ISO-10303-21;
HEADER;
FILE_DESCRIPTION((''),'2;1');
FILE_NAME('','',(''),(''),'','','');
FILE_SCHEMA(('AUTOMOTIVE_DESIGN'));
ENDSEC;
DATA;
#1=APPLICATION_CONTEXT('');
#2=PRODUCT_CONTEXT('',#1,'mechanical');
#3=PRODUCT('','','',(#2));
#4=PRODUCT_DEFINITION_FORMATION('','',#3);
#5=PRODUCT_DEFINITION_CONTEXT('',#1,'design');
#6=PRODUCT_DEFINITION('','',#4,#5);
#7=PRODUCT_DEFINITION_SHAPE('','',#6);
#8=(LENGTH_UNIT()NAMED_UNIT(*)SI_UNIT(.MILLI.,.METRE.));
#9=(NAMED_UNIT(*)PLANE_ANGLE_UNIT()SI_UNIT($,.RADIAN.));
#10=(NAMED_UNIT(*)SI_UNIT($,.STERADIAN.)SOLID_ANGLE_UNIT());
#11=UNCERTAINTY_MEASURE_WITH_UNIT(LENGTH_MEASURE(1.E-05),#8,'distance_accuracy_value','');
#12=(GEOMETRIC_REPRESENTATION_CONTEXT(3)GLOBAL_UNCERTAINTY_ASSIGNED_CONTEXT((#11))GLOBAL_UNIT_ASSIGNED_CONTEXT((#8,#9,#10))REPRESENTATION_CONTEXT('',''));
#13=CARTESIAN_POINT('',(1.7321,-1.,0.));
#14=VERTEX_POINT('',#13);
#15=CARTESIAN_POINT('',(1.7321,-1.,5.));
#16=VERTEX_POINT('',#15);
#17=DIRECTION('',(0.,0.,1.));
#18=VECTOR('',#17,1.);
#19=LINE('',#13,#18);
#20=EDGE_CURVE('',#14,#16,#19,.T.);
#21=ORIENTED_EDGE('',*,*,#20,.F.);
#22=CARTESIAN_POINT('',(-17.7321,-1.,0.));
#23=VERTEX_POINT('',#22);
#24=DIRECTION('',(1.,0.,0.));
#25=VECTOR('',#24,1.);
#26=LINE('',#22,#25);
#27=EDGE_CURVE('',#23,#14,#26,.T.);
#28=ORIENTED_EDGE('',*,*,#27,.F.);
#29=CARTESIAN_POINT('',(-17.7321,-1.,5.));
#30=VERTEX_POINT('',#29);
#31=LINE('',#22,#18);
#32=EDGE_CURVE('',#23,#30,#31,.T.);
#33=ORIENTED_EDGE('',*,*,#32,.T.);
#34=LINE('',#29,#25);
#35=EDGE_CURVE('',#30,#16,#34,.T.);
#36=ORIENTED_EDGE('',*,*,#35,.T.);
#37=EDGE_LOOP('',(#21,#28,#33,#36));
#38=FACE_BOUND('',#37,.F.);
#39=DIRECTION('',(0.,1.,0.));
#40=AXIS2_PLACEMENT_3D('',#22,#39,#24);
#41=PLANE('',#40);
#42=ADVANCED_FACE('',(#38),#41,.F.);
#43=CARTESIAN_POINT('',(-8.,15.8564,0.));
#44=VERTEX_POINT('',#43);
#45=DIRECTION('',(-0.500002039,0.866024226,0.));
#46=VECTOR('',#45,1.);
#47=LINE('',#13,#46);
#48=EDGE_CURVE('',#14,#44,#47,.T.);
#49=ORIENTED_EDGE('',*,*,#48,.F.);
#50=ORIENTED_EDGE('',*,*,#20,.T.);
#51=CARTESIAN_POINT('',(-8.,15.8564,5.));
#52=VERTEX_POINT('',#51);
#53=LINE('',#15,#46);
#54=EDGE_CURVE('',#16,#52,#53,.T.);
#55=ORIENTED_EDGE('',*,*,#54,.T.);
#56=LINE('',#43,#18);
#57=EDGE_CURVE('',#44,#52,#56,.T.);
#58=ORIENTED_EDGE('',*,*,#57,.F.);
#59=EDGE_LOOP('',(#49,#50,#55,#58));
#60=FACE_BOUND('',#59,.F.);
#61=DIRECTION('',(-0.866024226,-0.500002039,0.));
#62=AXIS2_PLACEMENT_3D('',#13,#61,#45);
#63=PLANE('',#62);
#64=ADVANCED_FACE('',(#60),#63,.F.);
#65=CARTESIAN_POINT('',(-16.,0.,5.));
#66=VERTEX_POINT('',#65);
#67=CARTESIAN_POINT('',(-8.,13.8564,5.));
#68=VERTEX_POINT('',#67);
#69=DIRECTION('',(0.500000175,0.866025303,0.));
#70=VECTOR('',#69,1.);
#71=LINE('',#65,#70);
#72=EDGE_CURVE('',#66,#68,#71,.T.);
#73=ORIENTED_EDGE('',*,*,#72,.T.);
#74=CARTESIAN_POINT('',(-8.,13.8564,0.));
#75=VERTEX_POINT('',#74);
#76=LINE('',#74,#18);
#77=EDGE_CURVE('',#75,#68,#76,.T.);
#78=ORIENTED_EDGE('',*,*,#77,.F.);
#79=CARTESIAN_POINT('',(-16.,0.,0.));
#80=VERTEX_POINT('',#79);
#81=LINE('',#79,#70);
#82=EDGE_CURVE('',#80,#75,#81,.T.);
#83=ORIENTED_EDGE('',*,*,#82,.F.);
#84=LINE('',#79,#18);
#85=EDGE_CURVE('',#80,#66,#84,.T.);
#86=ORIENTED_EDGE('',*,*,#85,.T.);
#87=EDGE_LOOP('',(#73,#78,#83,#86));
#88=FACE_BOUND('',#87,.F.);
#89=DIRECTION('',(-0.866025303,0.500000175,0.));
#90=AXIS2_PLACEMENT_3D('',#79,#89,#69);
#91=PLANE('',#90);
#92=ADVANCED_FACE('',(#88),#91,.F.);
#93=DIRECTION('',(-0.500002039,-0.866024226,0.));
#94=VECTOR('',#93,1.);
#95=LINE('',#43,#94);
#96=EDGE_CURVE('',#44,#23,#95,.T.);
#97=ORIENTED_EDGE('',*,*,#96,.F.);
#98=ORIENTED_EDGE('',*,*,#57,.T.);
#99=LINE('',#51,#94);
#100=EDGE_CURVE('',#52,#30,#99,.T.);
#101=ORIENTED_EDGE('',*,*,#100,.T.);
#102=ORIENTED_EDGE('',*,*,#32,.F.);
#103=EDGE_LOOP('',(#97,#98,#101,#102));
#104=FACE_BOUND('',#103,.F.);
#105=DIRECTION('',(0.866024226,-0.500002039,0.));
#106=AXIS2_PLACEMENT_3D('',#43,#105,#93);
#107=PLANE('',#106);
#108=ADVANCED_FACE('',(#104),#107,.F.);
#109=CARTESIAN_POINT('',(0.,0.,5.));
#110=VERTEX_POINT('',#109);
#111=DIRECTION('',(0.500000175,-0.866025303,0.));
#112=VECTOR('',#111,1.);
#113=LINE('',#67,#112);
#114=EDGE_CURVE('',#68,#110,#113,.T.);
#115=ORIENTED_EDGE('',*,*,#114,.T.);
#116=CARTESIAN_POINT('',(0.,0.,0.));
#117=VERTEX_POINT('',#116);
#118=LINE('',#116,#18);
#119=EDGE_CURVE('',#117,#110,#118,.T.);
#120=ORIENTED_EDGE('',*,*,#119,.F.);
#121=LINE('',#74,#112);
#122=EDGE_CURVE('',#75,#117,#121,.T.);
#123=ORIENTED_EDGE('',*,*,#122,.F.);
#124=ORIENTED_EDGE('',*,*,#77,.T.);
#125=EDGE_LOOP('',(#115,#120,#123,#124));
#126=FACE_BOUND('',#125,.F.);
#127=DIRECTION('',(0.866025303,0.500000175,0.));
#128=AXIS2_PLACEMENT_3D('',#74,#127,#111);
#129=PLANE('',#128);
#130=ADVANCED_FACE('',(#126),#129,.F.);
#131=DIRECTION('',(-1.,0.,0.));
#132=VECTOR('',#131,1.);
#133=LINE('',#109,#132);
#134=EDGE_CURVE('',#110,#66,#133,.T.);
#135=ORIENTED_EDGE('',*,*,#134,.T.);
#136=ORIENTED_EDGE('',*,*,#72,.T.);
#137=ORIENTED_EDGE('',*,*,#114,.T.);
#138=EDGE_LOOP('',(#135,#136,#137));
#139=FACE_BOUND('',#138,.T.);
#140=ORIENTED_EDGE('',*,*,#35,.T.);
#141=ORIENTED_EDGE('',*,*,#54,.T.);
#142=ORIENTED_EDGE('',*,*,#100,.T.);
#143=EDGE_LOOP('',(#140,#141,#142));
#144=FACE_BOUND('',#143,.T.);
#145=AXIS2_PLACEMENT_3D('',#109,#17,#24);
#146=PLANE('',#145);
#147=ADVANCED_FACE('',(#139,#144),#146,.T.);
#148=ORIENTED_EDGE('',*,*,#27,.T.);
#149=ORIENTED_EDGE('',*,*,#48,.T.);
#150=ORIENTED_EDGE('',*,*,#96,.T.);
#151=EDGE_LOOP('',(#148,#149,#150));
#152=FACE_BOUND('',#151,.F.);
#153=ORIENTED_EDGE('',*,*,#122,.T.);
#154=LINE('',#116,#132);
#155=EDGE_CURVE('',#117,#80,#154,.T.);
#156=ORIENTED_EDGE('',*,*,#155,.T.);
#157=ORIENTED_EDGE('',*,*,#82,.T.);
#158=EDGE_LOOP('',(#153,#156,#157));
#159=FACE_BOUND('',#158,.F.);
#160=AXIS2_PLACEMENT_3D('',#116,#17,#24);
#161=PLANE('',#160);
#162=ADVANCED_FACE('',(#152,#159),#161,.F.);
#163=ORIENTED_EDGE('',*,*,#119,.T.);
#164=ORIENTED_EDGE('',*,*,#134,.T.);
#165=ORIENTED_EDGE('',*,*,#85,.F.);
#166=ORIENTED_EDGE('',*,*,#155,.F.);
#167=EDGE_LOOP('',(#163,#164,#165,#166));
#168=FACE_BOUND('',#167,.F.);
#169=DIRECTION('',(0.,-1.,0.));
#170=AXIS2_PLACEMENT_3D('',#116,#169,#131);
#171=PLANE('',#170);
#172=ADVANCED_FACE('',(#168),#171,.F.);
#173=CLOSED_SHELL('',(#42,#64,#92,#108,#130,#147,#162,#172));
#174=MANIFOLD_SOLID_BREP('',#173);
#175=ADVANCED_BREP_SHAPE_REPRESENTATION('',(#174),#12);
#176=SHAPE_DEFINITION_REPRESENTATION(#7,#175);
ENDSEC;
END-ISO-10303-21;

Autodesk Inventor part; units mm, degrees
ref_plane "YZ Plane" through (0, 0, 0) normal (1, 0, 0) x (0, 1, 0)
ref_plane "XZ Plane" through (0, 0, 0) normal (0, 1, 0) x (-1, 0, 0)
ref_plane "XY Plane" through (0, 0, 0) normal (0, 0, 1) x (1, 0, 0)
sketch "Sketch1" plane through (0, 0, 0) normal (0, 0, 1) x (1, 0, 0)
  line L0 (0, 0) -> (-16, 0)
  line L1 (-16, 0) -> (-8, 13.8564)
  line L2 (-8, 13.8564) -> (0, 0)
  line L3 (0, 0) -> (-16, 0)
  line L4 (-8, 15.8564) -> (-17.7321, -1)
  line L5 (-17.7321, -1) -> (1.7321, -1)
  line L6 (1.7321, -1) -> (-8, 15.8564)
  dimension "d4" = 16
  dimension "d5" = 1
extrude "Extrusion1" add sketch "Sketch1" along normal blind 5
properties part number "dishRing_3DPrint"
